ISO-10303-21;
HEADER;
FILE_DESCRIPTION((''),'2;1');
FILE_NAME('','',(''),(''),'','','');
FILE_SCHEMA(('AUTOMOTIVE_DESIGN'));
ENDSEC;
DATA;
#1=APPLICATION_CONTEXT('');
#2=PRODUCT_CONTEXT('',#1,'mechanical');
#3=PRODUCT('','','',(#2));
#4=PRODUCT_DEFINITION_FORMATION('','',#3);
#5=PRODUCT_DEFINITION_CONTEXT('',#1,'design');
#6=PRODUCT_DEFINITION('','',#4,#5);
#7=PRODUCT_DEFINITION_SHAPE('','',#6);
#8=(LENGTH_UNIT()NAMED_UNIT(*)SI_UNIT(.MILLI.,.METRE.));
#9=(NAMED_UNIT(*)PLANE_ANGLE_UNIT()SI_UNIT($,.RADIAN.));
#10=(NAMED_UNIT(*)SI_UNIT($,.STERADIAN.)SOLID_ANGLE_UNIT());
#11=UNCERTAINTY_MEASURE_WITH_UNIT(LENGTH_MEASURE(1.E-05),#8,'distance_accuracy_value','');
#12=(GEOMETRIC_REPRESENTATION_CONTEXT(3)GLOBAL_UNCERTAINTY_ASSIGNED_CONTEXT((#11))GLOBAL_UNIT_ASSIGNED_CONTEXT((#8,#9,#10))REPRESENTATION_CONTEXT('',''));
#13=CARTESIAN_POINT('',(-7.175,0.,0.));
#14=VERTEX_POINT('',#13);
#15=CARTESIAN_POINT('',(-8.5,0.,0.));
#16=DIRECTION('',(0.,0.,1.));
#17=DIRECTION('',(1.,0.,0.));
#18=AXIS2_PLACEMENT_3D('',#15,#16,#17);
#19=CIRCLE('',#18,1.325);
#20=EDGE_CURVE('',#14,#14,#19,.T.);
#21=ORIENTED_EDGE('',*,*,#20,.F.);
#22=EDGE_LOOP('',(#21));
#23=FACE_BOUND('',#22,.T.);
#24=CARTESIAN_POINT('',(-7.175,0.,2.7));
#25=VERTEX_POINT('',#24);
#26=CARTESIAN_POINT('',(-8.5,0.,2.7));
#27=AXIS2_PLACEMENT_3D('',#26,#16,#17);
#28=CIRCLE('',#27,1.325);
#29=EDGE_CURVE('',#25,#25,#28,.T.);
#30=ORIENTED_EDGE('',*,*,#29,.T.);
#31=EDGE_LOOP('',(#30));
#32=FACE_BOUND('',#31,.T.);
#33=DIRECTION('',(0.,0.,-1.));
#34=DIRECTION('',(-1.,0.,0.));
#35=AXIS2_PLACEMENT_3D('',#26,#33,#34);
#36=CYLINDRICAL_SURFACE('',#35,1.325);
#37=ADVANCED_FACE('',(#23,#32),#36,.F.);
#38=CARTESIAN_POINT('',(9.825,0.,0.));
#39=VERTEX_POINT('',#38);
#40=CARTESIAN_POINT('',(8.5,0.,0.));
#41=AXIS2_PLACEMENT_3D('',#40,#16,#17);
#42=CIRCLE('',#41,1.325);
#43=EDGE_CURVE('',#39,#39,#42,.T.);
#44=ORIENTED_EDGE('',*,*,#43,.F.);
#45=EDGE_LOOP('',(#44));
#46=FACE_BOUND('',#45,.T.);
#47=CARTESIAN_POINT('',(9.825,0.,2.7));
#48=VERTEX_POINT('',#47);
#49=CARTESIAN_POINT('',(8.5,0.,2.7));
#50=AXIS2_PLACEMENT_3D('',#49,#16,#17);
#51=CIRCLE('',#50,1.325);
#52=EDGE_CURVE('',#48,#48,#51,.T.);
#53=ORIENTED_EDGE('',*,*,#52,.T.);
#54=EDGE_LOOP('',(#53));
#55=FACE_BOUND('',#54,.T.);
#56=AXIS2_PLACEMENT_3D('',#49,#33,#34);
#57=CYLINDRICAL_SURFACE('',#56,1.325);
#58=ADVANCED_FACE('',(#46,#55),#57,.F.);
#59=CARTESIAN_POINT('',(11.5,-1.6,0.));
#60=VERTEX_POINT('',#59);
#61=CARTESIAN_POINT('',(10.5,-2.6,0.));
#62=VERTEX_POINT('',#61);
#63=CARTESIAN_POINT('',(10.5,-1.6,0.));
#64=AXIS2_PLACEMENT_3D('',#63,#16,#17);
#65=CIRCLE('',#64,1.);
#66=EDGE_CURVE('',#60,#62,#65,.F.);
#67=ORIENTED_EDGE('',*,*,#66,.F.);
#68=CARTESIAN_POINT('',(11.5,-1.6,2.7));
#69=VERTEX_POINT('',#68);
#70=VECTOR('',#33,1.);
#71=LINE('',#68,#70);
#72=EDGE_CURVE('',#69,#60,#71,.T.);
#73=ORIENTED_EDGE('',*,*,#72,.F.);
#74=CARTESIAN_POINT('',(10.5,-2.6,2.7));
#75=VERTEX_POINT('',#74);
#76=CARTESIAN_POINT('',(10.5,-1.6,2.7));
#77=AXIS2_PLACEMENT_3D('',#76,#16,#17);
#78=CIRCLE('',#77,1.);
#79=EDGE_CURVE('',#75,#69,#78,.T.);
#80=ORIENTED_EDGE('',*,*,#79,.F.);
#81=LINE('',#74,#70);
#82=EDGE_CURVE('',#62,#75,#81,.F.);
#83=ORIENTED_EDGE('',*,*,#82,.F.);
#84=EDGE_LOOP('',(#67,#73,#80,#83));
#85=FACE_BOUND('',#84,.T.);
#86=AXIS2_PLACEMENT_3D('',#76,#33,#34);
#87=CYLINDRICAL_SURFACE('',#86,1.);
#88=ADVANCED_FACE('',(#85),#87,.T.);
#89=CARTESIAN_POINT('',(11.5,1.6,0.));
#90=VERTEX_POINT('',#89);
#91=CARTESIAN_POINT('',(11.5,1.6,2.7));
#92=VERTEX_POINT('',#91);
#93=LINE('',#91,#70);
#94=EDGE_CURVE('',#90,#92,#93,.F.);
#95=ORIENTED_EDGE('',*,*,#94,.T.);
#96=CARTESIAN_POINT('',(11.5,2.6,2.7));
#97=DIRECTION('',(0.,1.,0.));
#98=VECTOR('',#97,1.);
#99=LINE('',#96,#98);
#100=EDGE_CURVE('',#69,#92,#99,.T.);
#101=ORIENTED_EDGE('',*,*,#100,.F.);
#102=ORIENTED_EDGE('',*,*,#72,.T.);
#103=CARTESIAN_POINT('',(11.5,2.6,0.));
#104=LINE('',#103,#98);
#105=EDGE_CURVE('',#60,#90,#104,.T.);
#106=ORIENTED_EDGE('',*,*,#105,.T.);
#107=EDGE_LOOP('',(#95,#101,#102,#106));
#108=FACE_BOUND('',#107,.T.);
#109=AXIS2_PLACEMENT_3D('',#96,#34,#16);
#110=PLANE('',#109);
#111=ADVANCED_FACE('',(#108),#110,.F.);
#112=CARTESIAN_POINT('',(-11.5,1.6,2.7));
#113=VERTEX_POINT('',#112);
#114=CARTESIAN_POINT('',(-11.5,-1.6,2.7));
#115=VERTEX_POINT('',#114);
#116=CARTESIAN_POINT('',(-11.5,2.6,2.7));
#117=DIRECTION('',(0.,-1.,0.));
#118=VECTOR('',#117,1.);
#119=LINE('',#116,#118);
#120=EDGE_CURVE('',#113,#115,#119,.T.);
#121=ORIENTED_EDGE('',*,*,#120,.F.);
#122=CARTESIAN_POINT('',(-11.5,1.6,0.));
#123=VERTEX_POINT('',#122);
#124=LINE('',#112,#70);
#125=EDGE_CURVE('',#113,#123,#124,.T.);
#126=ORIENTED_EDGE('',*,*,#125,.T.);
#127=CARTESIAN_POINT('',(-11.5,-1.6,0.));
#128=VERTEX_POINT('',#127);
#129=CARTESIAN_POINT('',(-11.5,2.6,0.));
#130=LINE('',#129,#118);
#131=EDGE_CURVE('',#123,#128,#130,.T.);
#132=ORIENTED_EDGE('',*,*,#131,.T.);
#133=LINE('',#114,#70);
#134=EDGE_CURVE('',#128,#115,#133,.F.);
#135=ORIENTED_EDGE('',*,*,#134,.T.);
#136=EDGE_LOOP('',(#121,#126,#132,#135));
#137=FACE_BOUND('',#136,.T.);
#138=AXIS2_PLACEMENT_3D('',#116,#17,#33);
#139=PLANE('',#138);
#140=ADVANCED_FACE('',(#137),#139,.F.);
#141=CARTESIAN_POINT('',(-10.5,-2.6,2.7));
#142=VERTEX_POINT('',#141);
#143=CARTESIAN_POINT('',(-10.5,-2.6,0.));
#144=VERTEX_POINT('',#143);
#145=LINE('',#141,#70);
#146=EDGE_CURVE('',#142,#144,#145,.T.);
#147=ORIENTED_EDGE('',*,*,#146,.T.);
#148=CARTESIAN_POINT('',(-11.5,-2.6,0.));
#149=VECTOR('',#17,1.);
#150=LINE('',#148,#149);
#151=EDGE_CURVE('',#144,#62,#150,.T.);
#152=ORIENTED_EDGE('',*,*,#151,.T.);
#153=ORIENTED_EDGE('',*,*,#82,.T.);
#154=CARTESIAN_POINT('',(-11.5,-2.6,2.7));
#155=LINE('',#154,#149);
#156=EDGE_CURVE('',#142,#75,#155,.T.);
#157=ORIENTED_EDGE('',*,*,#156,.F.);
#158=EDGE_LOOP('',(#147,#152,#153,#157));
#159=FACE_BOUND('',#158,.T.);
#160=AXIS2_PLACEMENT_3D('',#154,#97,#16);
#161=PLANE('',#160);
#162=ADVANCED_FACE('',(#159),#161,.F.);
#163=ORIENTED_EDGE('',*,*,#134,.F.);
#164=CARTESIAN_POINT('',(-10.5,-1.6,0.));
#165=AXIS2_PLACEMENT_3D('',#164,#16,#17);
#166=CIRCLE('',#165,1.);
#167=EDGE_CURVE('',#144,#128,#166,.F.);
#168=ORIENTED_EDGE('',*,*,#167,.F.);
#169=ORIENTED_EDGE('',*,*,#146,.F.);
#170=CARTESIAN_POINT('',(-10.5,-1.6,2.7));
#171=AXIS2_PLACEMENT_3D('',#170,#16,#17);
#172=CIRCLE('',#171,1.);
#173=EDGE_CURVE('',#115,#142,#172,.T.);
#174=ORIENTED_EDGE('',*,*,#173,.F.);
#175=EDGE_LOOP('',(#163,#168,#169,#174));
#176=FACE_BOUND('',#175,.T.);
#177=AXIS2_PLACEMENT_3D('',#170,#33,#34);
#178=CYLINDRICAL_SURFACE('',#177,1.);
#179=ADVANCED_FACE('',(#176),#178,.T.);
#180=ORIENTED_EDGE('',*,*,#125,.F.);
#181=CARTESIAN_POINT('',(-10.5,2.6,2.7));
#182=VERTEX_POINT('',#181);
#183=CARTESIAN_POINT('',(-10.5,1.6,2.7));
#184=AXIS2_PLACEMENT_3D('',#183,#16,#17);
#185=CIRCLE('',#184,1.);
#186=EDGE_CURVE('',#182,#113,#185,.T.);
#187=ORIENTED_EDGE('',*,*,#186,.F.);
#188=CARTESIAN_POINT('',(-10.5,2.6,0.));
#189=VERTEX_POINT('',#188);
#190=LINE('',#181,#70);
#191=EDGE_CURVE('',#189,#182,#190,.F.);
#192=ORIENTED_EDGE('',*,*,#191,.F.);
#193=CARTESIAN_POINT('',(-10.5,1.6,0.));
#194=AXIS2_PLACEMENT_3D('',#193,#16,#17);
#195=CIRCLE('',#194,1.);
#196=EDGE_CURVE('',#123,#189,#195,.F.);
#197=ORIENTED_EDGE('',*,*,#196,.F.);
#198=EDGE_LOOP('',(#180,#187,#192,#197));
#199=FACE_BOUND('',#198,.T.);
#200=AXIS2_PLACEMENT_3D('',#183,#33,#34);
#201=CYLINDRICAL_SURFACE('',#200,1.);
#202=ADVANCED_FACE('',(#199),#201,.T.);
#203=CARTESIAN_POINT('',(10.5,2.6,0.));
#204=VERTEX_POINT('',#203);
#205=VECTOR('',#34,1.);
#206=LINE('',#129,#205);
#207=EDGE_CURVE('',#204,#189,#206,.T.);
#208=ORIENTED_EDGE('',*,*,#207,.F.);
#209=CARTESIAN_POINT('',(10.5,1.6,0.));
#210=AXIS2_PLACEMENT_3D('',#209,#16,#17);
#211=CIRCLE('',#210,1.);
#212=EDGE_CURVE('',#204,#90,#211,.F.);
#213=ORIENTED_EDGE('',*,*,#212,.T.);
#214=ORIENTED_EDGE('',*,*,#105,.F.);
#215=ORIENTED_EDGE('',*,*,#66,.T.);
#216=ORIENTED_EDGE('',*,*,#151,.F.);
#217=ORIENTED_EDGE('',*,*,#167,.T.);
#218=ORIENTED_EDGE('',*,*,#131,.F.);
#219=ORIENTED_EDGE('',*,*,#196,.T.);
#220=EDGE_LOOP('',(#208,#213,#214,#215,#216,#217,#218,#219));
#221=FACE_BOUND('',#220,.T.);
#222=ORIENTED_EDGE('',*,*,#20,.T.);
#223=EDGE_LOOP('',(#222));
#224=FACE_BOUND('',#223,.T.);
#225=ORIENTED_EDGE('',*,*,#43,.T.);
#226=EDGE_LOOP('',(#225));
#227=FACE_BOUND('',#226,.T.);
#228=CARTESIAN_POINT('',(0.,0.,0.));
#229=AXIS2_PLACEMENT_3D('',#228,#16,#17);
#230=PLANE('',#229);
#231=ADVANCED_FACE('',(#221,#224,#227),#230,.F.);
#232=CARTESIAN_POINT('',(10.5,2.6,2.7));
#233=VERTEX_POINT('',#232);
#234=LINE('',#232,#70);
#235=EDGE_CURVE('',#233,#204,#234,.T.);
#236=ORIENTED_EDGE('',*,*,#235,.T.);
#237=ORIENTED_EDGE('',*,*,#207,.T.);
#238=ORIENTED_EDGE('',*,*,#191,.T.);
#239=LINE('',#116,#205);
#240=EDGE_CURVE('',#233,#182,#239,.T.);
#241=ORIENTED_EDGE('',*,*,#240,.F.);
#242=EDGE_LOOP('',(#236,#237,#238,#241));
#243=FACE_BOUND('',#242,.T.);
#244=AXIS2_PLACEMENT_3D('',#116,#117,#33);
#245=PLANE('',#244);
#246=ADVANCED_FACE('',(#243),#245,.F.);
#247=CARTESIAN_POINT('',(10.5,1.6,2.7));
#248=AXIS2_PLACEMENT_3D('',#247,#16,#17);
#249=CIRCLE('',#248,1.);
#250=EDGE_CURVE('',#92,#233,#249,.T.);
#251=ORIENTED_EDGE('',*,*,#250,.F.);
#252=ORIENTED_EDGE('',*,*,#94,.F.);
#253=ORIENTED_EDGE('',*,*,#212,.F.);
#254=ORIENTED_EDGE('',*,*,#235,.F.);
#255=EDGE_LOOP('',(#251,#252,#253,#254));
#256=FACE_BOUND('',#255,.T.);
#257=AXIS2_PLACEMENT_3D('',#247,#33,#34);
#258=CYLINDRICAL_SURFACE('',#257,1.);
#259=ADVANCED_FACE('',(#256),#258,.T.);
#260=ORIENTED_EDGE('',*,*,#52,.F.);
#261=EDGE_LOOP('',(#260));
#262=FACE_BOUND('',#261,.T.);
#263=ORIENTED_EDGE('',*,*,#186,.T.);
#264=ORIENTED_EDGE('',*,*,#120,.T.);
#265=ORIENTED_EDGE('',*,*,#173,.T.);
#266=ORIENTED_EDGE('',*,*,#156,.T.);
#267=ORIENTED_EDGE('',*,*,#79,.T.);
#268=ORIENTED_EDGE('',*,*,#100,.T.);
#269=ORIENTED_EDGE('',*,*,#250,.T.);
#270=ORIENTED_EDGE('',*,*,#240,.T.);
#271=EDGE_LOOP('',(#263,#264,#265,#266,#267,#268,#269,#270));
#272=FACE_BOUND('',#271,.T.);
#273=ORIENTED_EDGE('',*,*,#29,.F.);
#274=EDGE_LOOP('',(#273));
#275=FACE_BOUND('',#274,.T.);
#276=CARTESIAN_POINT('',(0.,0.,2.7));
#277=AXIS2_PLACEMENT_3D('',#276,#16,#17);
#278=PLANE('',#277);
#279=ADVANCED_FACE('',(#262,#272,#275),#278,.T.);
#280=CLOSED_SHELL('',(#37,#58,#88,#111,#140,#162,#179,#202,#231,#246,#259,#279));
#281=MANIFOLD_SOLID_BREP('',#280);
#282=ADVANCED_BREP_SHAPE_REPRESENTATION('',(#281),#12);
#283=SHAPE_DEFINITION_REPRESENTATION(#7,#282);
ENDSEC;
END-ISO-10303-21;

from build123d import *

# Parameters (mm, degrees)
SKETCH2_W           = 23
SKETCH2_H           = 5.2
SKETCH2_R           = 1.325
BOSS_EXTRUDE1_DEPTH = 2.7
FILLET1_R           = 1


with BuildPart() as part:
    # Sketch2 → Boss-Extrude1 (new body)
    with BuildSketch(Plane.XY):
        Rectangle(SKETCH2_W, SKETCH2_H)
        with Locations((-8.5, 0)):
            Circle(SKETCH2_R, mode=Mode.SUBTRACT)
        with Locations((8.5, 0)):
            Circle(SKETCH2_R, mode=Mode.SUBTRACT)
    extrude(amount=BOSS_EXTRUDE1_DEPTH)

    # Fillet1
    fillet1_edges = [part.edges().sort_by_distance(p)[0] for p in [
        (11.5, -2.6, 1.35),
        (-11.5, -2.6, 1.35),
        (-11.5, 2.6, 1.35),
        (11.5, 2.6, 1.35),
    ]]
    fillet(fillet1_edges, radius=FILLET1_R)


solid = part.part
